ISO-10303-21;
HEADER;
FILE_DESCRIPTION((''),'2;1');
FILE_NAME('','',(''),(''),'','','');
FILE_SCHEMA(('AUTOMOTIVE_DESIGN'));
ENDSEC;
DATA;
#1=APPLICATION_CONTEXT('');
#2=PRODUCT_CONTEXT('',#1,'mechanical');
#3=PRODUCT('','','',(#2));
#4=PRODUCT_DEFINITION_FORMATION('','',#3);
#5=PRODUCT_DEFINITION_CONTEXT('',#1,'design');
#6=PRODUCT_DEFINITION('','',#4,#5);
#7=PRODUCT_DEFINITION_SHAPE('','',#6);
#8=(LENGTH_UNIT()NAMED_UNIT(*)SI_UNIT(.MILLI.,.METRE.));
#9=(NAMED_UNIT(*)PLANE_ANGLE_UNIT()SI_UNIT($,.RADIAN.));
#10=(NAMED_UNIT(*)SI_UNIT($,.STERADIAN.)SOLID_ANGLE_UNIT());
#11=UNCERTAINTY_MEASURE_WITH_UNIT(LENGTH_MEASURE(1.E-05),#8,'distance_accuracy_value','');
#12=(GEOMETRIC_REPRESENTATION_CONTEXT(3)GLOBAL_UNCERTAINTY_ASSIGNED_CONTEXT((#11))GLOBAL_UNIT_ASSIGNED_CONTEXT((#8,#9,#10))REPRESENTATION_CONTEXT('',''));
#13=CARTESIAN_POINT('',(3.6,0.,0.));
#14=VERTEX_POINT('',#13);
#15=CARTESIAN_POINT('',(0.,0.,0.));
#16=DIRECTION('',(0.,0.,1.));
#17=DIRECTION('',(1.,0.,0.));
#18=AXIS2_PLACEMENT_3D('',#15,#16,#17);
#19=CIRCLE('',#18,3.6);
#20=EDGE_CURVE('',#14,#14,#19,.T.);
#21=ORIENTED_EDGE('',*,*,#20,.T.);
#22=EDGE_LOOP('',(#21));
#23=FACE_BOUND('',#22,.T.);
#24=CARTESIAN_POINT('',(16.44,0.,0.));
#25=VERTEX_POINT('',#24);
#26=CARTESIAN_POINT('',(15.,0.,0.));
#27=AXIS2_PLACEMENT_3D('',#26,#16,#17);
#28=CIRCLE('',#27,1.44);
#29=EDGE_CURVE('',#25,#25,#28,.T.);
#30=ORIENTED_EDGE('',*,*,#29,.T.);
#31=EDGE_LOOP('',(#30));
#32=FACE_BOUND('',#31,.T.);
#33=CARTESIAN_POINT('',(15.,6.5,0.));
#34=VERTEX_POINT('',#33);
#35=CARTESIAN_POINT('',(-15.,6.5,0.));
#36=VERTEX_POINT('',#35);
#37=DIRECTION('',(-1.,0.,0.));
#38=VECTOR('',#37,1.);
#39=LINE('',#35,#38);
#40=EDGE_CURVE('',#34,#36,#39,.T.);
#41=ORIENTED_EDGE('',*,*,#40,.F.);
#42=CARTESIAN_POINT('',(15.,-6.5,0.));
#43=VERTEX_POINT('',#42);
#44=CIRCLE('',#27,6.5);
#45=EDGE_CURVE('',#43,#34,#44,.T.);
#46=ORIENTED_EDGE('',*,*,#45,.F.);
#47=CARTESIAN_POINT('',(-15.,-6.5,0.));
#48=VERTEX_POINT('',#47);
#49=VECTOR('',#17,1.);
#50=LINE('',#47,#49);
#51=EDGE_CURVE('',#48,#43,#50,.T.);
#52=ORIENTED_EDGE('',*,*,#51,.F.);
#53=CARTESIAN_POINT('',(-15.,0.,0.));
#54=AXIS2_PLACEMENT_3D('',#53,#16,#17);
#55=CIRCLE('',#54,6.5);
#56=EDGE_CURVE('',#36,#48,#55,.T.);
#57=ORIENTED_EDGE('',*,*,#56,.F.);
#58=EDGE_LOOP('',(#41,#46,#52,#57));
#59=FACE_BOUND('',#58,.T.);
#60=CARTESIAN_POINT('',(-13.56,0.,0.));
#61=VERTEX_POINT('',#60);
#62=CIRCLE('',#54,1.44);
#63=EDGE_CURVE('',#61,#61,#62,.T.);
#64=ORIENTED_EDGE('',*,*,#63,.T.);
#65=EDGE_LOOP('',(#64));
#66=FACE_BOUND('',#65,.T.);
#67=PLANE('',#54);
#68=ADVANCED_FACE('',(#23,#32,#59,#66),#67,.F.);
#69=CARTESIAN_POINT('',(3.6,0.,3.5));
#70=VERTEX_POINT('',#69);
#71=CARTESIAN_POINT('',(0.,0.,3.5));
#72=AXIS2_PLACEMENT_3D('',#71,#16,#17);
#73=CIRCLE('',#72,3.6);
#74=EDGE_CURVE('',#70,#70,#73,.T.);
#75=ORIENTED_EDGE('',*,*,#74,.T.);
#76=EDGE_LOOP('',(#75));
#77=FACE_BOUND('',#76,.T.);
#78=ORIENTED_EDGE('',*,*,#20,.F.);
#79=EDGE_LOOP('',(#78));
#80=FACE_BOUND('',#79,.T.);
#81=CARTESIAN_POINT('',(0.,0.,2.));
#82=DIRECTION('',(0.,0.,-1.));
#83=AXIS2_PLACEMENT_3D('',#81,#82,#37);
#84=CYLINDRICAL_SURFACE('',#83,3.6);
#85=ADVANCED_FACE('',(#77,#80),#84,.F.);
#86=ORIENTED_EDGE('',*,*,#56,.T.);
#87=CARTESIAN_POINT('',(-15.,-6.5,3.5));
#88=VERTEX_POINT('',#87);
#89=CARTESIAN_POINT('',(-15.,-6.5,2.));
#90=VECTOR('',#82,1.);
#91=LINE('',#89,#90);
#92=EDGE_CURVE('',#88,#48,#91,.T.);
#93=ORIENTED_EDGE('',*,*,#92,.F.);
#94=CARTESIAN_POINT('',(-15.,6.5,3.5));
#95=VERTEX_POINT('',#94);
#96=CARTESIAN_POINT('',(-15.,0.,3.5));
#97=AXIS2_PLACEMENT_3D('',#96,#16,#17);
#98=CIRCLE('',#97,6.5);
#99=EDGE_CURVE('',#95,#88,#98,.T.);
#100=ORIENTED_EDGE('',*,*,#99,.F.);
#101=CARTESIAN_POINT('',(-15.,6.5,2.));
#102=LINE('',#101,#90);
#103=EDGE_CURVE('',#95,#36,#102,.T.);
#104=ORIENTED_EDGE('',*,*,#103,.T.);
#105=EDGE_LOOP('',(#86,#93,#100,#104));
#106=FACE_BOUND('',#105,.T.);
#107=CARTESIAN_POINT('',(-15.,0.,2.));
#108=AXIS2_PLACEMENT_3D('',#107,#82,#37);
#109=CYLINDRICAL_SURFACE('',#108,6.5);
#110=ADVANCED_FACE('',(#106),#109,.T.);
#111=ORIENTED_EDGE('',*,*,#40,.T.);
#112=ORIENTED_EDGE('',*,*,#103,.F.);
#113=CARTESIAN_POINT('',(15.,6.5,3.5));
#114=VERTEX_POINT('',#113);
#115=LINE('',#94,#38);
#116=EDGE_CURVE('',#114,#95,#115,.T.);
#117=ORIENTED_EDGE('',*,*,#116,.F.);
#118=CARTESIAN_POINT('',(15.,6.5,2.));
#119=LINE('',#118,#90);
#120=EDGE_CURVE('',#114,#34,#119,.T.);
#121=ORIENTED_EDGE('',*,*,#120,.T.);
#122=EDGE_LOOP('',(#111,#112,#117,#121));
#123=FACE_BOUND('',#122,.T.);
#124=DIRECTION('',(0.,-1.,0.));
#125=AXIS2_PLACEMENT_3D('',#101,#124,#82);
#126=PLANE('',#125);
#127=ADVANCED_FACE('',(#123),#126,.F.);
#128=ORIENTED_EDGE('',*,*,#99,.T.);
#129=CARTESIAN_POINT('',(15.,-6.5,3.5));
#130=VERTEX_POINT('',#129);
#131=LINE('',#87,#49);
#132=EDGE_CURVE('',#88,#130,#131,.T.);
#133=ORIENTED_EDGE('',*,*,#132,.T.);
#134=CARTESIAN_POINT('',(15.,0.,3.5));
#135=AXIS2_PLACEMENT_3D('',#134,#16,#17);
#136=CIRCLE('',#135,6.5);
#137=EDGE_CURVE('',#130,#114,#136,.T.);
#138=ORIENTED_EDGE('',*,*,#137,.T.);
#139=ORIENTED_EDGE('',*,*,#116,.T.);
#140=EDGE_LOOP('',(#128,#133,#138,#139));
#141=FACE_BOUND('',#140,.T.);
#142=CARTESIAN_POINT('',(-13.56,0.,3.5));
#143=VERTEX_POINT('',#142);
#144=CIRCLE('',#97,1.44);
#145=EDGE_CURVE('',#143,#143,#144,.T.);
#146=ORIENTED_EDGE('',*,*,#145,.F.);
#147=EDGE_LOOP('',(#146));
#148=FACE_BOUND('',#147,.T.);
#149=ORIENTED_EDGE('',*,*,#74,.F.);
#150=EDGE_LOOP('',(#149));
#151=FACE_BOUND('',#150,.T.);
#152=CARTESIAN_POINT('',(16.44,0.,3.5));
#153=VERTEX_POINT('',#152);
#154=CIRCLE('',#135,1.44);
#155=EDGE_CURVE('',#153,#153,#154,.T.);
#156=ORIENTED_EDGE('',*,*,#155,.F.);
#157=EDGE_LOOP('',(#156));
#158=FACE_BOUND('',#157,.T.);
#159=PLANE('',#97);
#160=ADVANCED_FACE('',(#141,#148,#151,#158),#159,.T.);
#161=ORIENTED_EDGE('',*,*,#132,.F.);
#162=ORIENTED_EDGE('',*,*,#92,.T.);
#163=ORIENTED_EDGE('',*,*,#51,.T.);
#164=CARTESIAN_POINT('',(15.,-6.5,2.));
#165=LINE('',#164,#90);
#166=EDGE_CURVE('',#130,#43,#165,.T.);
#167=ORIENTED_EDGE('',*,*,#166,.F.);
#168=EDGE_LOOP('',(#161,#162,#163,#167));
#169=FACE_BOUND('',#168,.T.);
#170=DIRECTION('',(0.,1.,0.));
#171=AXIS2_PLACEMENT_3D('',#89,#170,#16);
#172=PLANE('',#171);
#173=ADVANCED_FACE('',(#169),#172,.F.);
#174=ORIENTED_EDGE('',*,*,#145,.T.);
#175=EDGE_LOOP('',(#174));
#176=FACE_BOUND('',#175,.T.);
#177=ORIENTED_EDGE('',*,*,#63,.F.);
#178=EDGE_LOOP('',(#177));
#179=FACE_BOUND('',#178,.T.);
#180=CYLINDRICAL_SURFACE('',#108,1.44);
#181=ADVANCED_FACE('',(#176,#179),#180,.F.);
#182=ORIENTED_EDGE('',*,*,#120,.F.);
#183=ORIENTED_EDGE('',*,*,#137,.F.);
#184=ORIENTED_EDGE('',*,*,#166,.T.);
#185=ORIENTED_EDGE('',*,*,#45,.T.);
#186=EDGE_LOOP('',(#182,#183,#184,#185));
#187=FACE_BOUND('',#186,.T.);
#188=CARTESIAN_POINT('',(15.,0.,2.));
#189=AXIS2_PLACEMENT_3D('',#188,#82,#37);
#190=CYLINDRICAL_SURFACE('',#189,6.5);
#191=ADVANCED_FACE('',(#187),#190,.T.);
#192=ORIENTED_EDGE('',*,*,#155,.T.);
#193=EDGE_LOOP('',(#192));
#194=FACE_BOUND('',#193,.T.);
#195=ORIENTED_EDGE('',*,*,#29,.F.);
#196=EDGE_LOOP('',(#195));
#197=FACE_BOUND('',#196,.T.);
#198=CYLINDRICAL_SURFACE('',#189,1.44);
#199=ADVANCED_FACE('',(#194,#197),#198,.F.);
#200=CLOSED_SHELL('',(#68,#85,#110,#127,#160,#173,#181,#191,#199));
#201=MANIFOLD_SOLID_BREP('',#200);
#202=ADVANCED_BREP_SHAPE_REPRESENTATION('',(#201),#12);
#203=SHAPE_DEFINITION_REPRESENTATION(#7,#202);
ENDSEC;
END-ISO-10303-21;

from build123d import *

# Parameters (mm, degrees)
SKETCH_1_R      = 1.44
SKETCH_1_R_2    = 3.6
EXTRUDE_2_DEPTH = 2
SKETCH_1_2_R    = 1.44
SKETCH_1_2_R_2  = 3.6
EXTRUDE_3_DEPTH = 3.5


with BuildPart() as part:
    # 草图1 → 凸台-拉伸2 (new body)
    with BuildSketch(Plane.XY):
        with BuildLine():
            Line((-15, 6.5), (15, 6.5))
            ThreePointArc((15, 6.5), (21.5, 0), (15, -6.5))
            Line((15, -6.5), (-15, -6.5))
            ThreePointArc((-15, -6.5), (-21.5, 0), (-15, 6.5))
        make_face()
        with Locations((-15, 0)):
            Circle(SKETCH_1_R, mode=Mode.SUBTRACT)
        with Locations((15, 0)):
            Circle(SKETCH_1_R, mode=Mode.SUBTRACT)
        Circle(SKETCH_1_R_2, mode=Mode.SUBTRACT)
    extrude(amount=EXTRUDE_2_DEPTH)

    # 草图1<2> → 凸台-拉伸3 (add)
    with BuildSketch(Plane.XY):
        with BuildLine():
            Line((-15, 6.5), (15, 6.5))
            ThreePointArc((15, 6.5), (21.5, 0), (15, -6.5))
            Line((15, -6.5), (-15, -6.5))
            ThreePointArc((-15, -6.5), (-21.5, 0), (-15, 6.5))
        make_face()
        with Locations((-15, 0)):
            Circle(SKETCH_1_2_R, mode=Mode.SUBTRACT)
        with Locations((15, 0)):
            Circle(SKETCH_1_2_R, mode=Mode.SUBTRACT)
        Circle(SKETCH_1_2_R_2, mode=Mode.SUBTRACT)
    extrude(amount=EXTRUDE_3_DEPTH)


solid = part.part
